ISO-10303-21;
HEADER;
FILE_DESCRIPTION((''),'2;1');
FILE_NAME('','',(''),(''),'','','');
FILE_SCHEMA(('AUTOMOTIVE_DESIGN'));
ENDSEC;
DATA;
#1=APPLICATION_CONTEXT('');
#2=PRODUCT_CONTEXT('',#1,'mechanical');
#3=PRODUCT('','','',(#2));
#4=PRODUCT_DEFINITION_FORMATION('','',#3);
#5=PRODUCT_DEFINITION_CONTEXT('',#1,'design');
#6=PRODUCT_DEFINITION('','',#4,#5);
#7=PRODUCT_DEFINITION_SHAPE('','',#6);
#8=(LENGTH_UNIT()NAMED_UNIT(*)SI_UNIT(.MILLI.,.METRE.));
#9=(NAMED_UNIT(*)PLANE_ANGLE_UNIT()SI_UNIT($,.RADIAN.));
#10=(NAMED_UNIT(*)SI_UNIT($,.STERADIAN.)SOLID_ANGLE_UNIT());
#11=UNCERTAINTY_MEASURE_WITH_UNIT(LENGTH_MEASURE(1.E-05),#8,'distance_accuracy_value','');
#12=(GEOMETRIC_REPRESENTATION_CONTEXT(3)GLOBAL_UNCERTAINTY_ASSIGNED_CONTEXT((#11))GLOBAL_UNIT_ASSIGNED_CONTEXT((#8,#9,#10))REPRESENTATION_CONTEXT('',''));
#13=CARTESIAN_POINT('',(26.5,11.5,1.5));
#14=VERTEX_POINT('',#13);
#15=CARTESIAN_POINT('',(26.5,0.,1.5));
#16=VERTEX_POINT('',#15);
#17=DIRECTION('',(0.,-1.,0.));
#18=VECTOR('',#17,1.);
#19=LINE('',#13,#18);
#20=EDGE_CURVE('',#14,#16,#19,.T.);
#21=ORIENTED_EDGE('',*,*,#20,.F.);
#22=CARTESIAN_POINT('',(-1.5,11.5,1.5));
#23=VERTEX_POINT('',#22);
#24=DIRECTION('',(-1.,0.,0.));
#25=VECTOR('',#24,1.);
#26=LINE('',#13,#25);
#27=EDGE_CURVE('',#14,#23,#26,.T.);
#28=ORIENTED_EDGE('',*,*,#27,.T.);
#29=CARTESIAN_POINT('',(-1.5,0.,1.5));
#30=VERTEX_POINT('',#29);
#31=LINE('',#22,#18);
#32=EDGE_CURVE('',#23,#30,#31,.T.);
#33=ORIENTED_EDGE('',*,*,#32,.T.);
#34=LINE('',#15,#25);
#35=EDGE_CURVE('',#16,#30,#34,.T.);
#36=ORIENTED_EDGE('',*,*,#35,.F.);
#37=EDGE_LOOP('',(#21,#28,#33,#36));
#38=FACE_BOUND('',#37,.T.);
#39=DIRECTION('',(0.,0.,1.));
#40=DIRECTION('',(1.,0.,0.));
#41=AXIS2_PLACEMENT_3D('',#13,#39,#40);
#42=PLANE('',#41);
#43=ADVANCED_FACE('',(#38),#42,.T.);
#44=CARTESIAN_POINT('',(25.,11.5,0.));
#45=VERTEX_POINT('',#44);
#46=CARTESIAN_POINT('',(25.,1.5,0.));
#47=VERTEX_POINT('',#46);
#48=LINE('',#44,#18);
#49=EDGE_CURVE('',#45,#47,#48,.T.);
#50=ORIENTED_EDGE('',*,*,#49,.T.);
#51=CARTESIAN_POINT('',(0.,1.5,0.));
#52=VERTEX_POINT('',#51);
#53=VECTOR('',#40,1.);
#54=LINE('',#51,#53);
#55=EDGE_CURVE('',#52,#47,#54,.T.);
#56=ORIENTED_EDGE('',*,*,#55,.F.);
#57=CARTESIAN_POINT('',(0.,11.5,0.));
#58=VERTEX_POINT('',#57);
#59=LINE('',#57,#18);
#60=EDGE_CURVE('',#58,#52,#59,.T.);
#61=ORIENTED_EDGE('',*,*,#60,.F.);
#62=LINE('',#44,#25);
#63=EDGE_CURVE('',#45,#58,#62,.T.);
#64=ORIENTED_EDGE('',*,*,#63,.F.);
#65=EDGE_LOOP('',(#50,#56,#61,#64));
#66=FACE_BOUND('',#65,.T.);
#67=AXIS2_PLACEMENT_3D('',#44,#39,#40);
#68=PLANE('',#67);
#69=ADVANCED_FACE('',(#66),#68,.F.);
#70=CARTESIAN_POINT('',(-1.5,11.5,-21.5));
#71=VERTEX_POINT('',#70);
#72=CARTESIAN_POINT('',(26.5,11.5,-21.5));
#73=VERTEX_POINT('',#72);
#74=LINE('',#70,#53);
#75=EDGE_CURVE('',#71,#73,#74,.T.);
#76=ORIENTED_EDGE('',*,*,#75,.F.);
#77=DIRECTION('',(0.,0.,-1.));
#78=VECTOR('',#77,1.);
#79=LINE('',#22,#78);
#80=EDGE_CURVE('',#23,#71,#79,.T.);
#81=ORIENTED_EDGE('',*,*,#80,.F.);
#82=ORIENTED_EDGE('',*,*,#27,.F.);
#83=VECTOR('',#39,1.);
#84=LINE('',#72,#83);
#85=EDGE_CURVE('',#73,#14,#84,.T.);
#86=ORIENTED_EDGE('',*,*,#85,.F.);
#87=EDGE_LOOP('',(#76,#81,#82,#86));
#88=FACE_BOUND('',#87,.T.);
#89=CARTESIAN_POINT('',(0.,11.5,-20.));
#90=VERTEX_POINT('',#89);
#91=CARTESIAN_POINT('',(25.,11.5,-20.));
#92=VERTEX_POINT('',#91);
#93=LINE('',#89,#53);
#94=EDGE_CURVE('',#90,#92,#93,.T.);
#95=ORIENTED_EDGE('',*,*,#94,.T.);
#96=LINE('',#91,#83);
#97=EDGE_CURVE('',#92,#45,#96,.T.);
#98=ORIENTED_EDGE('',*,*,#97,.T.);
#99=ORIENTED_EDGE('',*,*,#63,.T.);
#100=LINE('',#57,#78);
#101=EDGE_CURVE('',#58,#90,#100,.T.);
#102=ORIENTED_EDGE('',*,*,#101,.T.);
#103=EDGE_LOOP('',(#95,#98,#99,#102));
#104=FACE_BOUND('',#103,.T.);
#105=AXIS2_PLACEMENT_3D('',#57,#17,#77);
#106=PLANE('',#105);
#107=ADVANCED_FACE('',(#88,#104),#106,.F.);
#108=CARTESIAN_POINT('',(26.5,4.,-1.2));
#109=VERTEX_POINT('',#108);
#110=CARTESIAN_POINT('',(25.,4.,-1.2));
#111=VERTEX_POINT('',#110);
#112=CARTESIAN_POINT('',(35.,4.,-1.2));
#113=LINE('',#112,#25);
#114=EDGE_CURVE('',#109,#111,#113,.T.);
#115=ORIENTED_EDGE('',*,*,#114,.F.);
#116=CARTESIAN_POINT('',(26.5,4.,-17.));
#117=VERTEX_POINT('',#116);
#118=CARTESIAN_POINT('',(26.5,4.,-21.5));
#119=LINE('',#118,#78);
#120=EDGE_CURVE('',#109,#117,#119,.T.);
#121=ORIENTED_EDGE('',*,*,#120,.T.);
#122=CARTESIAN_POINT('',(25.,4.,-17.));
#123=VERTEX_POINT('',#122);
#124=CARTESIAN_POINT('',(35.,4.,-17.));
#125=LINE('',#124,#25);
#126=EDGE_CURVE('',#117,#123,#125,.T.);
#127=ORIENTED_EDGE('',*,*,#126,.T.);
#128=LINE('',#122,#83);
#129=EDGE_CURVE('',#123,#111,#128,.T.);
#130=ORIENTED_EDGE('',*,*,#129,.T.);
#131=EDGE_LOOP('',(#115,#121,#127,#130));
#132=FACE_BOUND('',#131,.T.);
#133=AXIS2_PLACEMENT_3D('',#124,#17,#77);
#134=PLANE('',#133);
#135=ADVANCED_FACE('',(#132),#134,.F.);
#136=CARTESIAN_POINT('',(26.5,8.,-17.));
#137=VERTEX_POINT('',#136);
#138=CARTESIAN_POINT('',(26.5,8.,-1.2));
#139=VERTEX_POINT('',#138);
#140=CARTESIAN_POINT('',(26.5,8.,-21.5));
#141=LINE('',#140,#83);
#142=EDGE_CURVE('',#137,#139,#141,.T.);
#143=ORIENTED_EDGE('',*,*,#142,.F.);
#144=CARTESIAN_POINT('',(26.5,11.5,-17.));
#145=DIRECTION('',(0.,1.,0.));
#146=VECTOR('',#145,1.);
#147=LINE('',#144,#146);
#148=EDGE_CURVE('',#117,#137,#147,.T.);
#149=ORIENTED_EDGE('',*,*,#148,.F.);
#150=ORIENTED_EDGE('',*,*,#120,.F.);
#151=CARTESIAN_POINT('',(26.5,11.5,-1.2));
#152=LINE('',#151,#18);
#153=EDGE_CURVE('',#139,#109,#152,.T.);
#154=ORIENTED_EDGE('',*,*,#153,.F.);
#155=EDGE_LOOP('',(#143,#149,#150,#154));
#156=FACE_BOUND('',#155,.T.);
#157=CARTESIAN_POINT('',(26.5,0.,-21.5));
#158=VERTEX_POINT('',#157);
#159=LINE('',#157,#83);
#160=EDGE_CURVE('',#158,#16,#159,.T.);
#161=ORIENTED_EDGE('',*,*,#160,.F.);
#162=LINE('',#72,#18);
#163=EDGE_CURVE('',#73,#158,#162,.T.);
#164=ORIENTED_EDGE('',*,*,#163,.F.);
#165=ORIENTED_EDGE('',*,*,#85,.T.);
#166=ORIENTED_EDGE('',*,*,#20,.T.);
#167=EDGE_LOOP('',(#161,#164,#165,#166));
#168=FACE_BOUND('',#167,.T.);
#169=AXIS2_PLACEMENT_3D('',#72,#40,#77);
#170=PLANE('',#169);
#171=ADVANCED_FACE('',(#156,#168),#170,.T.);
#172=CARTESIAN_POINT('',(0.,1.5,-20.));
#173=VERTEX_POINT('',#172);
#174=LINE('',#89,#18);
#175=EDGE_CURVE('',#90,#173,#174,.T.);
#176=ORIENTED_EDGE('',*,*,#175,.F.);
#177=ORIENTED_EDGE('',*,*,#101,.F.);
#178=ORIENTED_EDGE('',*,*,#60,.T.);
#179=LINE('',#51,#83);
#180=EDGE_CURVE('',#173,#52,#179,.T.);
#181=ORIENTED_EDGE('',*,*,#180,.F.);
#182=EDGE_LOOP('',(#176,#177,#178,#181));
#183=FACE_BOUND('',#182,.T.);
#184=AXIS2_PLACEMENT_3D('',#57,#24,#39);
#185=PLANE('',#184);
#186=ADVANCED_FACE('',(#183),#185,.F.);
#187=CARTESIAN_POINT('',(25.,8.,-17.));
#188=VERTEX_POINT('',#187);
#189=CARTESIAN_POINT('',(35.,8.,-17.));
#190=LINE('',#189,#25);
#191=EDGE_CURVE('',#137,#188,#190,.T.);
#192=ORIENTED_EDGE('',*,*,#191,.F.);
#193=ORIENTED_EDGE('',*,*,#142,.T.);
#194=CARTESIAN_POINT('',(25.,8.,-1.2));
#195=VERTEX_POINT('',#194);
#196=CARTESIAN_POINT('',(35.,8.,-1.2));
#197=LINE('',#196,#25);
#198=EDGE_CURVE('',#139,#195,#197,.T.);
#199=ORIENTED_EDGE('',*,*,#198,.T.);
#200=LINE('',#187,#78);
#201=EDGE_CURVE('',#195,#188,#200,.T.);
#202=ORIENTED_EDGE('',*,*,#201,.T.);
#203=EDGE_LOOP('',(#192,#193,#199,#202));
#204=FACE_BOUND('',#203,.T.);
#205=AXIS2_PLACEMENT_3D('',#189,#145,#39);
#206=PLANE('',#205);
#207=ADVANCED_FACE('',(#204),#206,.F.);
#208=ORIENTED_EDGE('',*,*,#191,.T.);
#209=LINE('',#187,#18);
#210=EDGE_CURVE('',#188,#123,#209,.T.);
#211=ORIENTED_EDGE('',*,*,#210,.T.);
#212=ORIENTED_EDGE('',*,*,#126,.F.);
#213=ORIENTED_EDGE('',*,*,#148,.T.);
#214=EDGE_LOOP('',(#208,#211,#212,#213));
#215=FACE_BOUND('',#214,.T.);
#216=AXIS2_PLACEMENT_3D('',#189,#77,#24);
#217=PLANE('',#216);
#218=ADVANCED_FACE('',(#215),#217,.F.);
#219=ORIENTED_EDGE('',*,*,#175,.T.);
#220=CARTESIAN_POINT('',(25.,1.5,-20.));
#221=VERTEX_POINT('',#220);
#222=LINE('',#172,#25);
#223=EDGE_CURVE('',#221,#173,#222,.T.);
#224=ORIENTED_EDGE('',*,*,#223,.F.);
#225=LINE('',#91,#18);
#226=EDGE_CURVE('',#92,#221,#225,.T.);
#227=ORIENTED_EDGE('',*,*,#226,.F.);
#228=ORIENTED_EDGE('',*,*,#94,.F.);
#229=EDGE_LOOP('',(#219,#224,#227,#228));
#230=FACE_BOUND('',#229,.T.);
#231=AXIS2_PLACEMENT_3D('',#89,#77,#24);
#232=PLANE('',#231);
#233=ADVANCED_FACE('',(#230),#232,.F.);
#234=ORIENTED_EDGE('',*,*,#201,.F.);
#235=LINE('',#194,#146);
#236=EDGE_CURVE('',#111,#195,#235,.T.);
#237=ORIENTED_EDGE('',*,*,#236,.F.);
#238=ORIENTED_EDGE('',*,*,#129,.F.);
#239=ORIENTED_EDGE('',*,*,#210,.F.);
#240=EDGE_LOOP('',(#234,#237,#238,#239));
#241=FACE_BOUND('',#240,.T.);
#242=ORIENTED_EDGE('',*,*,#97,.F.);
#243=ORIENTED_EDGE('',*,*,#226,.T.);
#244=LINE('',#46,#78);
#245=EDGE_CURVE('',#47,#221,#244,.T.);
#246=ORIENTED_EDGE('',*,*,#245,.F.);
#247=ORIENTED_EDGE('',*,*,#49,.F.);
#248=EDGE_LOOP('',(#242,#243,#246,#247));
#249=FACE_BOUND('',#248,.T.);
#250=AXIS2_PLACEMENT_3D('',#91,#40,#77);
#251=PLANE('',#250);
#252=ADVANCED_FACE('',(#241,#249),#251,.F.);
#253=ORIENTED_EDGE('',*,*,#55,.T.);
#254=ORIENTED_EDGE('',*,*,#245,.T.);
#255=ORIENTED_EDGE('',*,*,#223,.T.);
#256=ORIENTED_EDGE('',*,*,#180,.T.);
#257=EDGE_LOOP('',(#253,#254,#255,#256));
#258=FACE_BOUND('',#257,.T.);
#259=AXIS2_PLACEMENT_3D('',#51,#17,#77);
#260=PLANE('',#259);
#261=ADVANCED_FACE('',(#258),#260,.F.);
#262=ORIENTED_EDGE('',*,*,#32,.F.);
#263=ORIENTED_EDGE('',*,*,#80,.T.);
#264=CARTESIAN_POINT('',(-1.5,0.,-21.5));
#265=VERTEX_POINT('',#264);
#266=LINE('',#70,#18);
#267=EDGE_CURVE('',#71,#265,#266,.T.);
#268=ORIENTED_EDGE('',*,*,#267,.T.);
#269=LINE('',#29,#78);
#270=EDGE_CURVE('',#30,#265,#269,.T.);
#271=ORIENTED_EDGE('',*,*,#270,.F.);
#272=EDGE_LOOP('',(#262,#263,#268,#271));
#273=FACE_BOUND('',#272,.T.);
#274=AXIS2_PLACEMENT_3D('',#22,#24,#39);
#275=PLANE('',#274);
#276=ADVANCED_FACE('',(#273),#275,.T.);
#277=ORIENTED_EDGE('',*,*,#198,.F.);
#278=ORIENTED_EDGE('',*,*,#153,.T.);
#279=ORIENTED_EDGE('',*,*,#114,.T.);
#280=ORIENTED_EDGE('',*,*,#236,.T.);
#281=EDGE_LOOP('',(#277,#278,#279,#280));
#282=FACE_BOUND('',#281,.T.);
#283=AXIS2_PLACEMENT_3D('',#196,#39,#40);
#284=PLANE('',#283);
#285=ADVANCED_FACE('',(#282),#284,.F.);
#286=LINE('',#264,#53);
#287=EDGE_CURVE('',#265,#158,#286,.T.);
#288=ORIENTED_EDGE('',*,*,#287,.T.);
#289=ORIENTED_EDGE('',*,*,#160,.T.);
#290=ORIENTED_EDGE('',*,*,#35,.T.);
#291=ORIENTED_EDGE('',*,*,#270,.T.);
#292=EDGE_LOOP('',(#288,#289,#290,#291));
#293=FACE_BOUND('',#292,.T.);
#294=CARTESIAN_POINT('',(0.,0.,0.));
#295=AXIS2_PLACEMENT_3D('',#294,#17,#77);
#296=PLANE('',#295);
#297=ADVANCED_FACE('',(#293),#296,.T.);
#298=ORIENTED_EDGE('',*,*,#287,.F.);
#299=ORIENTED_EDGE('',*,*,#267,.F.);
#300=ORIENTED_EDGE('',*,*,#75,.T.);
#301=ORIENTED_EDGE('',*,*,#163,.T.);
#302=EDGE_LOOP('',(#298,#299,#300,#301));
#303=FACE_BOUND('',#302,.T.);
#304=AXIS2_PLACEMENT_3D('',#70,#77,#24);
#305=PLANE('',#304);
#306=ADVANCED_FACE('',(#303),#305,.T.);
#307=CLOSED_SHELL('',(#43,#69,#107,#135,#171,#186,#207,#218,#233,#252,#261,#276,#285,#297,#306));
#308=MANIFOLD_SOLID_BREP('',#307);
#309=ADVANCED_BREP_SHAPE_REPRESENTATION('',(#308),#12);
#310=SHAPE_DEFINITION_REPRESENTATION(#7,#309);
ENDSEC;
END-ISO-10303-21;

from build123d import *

# Parameters (mm, degrees)
SKETCH1_W           = 25
SKETCH1_H           = 20
BOSS_EXTRUDE1_DEPTH = 1.5
SKETCH2_W           = 28
SKETCH2_H           = 23
SKETCH2_W_2         = 25
SKETCH2_H_2         = 20
BOSS_EXTRUDE2_DEPTH = 11.5
SKETCH3_W           = 15.8
SKETCH3_H           = 4
CUT_EXTRUDE1_DEPTH  = 10


with BuildPart() as part:
    # Sketch1 → Boss-Extrude1 (new body)
    with BuildSketch(Plane(origin=(0, 0, 0), x_dir=(1, 0, 0), z_dir=(0, 1, 0))):
        with Locations((12.5, 10)):
            Rectangle(SKETCH1_W, SKETCH1_H)
    extrude(amount=BOSS_EXTRUDE1_DEPTH)

    # Sketch2 → Boss-Extrude2 (add)
    with BuildSketch(Plane.XZ):
        with Locations((12.5, -10)):
            Rectangle(SKETCH2_W, SKETCH2_H)
        with Locations((12.5, -10)):
            Rectangle(SKETCH2_W_2, SKETCH2_H_2, mode=Mode.SUBTRACT)
    extrude(amount=-BOSS_EXTRUDE2_DEPTH)

    # Sketch3 → Cut-Extrude1 (cut)
    with BuildSketch(Plane.ZY.offset(-25)):
        with Locations((-9.1, 6)):
            Rectangle(SKETCH3_W, SKETCH3_H)
    extrude(amount=-CUT_EXTRUDE1_DEPTH, mode=Mode.SUBTRACT)


solid = part.part
